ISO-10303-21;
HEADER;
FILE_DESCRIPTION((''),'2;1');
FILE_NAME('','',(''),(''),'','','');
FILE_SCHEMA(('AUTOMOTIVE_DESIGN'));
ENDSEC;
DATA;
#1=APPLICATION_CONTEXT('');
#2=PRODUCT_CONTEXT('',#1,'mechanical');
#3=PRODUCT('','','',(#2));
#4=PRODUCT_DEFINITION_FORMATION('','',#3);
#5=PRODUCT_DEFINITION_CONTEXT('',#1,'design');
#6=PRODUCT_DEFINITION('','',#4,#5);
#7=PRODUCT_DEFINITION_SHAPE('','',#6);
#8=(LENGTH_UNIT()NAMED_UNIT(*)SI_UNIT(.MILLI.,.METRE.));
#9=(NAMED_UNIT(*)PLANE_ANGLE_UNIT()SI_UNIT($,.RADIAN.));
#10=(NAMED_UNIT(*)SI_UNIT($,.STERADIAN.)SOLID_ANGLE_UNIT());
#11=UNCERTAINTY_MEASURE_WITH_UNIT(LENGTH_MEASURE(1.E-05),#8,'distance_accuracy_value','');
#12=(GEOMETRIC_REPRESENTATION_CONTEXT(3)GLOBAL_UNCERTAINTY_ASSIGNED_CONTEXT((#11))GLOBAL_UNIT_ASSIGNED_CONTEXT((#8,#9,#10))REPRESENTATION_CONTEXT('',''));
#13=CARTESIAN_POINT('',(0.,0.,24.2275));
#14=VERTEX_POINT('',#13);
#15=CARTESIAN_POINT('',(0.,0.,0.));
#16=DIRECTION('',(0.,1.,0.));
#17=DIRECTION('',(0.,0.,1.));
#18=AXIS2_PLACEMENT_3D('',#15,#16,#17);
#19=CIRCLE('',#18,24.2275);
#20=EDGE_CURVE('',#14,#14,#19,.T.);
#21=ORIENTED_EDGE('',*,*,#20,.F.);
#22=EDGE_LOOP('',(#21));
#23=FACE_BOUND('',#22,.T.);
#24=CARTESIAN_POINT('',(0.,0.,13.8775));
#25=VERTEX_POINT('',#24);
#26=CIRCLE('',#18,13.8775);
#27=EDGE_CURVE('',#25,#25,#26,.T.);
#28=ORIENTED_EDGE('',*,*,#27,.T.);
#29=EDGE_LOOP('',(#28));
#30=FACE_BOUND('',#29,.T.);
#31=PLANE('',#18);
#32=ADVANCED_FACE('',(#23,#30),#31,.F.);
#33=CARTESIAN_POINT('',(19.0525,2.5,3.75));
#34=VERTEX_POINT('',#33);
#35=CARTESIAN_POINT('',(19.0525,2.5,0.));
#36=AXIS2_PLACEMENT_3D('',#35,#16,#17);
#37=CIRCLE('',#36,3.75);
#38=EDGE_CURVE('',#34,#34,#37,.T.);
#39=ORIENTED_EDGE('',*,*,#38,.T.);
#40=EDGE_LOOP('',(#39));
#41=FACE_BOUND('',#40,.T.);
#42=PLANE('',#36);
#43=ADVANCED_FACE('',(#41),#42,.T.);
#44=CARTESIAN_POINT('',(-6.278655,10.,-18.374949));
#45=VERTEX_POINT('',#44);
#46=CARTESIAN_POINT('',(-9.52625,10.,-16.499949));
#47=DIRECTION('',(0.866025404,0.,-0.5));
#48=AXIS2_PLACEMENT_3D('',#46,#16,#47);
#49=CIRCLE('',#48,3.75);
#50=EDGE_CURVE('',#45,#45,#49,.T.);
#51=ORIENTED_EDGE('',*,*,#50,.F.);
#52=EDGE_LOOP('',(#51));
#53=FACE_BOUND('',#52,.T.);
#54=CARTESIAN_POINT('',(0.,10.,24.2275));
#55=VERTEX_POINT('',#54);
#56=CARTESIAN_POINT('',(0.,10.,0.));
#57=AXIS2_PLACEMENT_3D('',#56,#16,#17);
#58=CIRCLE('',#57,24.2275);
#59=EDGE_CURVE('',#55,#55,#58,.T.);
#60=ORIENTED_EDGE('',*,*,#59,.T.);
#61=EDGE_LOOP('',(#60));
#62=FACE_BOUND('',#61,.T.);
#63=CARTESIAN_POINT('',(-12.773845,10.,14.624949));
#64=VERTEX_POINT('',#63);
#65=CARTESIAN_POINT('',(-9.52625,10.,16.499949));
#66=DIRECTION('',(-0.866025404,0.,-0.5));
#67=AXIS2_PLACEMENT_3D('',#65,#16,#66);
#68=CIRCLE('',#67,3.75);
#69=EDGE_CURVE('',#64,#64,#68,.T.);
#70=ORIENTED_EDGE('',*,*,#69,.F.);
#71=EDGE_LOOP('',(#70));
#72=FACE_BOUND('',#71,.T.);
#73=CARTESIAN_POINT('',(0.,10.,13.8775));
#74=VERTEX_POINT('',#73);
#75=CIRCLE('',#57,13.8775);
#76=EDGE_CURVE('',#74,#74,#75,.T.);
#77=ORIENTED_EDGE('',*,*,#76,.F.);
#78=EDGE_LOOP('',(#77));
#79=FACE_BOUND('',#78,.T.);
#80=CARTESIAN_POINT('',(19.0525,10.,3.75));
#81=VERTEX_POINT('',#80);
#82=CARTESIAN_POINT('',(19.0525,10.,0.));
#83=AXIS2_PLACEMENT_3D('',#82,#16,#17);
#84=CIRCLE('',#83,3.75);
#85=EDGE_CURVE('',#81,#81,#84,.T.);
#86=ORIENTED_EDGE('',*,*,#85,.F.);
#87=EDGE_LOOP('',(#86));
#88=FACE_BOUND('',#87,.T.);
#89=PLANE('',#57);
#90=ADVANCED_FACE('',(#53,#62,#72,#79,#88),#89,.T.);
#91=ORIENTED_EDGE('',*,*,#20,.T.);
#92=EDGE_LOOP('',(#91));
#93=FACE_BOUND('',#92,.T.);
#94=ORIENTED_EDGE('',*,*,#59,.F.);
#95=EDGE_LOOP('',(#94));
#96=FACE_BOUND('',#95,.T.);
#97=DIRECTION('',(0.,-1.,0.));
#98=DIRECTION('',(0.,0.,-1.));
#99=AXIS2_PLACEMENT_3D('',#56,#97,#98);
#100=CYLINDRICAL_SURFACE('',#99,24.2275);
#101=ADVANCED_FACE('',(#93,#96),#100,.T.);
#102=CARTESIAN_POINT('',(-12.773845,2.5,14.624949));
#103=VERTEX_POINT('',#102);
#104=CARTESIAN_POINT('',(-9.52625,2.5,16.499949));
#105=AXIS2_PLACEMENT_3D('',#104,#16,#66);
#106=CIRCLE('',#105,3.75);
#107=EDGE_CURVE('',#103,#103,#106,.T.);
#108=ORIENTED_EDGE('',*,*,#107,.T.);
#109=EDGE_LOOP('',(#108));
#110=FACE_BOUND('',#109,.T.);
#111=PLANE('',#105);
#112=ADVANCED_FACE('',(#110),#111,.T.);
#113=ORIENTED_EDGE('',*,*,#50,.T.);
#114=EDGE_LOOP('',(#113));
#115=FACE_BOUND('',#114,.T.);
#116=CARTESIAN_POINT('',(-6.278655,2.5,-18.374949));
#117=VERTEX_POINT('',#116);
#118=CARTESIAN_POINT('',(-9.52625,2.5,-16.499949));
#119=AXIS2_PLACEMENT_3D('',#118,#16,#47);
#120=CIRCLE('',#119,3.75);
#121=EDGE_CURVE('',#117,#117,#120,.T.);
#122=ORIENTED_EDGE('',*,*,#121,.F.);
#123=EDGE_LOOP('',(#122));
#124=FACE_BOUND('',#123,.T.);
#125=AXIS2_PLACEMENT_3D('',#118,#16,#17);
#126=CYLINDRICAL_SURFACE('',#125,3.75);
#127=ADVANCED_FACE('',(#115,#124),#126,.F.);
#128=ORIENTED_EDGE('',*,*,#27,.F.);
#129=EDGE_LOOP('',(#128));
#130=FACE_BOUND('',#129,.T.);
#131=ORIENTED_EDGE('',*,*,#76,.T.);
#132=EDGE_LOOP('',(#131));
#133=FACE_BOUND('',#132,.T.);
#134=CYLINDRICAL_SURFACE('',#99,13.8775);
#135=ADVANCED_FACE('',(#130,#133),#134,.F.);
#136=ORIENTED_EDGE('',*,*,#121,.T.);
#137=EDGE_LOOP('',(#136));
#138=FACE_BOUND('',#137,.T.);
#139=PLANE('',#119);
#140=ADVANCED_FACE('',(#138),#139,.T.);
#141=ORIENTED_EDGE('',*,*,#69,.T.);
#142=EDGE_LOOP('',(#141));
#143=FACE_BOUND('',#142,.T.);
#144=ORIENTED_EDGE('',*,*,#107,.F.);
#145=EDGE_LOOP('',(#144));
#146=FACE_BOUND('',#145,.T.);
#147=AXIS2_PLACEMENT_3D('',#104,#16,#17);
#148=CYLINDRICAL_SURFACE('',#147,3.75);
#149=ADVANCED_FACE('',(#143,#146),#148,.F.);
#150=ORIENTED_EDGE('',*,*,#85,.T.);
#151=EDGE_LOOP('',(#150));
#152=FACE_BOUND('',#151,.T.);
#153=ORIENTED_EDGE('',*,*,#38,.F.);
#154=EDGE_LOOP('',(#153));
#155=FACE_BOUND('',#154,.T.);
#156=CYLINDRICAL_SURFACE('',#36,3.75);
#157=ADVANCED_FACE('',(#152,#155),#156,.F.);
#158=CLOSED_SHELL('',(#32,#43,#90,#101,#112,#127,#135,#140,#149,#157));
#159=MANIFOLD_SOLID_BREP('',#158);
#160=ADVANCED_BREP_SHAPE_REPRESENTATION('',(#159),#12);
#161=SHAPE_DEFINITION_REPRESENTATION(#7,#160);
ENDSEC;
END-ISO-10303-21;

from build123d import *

# Parameters (mm, degrees)
SKETCH1_R           = 24.2275
SKETCH1_R_2         = 13.8775
BOSS_EXTRUDE1_DEPTH = 10
SKETCH3_R           = 3.75
CUT_EXTRUDE1_DEPTH  = 7.5
CIRPATTERN1_COUNT   = 3


with BuildPart() as part:
    # Sketch1 → Boss-Extrude1 (new body)
    with BuildSketch(Plane(origin=(0, 0, 0), x_dir=(1, 0, 0), z_dir=(0, 1, 0))):
        with Locations(Location((0, 0, 0), (0, 0, 270))):
            Circle(SKETCH1_R)
        with Locations(Location((0, 0, 0), (0, 0, 270))):
            Circle(SKETCH1_R_2, mode=Mode.SUBTRACT)
    extrude(amount=BOSS_EXTRUDE1_DEPTH)

    # Sketch3 → Cut-Extrude1 (cut)
    with BuildSketch(Plane(origin=(0, 10, 0), x_dir=(1, 0, 0), z_dir=(0, 1, 0))):
        with Locations(Location((19.0525, 0, 0), (0, 0, 270))):
            Circle(SKETCH3_R)
    cut_extrude1 = extrude(amount=-CUT_EXTRUDE1_DEPTH, mode=Mode.SUBTRACT)

    # CirPattern1: Cut-Extrude1 ×3 about axis
    cirpattern1_axis = Axis((0, 0, 0), (0, 1, 0))
    for i in range(1, CIRPATTERN1_COUNT):
        add(cut_extrude1.rotate(cirpattern1_axis, i * 360 / CIRPATTERN1_COUNT), mode=Mode.SUBTRACT)


solid = part.part
